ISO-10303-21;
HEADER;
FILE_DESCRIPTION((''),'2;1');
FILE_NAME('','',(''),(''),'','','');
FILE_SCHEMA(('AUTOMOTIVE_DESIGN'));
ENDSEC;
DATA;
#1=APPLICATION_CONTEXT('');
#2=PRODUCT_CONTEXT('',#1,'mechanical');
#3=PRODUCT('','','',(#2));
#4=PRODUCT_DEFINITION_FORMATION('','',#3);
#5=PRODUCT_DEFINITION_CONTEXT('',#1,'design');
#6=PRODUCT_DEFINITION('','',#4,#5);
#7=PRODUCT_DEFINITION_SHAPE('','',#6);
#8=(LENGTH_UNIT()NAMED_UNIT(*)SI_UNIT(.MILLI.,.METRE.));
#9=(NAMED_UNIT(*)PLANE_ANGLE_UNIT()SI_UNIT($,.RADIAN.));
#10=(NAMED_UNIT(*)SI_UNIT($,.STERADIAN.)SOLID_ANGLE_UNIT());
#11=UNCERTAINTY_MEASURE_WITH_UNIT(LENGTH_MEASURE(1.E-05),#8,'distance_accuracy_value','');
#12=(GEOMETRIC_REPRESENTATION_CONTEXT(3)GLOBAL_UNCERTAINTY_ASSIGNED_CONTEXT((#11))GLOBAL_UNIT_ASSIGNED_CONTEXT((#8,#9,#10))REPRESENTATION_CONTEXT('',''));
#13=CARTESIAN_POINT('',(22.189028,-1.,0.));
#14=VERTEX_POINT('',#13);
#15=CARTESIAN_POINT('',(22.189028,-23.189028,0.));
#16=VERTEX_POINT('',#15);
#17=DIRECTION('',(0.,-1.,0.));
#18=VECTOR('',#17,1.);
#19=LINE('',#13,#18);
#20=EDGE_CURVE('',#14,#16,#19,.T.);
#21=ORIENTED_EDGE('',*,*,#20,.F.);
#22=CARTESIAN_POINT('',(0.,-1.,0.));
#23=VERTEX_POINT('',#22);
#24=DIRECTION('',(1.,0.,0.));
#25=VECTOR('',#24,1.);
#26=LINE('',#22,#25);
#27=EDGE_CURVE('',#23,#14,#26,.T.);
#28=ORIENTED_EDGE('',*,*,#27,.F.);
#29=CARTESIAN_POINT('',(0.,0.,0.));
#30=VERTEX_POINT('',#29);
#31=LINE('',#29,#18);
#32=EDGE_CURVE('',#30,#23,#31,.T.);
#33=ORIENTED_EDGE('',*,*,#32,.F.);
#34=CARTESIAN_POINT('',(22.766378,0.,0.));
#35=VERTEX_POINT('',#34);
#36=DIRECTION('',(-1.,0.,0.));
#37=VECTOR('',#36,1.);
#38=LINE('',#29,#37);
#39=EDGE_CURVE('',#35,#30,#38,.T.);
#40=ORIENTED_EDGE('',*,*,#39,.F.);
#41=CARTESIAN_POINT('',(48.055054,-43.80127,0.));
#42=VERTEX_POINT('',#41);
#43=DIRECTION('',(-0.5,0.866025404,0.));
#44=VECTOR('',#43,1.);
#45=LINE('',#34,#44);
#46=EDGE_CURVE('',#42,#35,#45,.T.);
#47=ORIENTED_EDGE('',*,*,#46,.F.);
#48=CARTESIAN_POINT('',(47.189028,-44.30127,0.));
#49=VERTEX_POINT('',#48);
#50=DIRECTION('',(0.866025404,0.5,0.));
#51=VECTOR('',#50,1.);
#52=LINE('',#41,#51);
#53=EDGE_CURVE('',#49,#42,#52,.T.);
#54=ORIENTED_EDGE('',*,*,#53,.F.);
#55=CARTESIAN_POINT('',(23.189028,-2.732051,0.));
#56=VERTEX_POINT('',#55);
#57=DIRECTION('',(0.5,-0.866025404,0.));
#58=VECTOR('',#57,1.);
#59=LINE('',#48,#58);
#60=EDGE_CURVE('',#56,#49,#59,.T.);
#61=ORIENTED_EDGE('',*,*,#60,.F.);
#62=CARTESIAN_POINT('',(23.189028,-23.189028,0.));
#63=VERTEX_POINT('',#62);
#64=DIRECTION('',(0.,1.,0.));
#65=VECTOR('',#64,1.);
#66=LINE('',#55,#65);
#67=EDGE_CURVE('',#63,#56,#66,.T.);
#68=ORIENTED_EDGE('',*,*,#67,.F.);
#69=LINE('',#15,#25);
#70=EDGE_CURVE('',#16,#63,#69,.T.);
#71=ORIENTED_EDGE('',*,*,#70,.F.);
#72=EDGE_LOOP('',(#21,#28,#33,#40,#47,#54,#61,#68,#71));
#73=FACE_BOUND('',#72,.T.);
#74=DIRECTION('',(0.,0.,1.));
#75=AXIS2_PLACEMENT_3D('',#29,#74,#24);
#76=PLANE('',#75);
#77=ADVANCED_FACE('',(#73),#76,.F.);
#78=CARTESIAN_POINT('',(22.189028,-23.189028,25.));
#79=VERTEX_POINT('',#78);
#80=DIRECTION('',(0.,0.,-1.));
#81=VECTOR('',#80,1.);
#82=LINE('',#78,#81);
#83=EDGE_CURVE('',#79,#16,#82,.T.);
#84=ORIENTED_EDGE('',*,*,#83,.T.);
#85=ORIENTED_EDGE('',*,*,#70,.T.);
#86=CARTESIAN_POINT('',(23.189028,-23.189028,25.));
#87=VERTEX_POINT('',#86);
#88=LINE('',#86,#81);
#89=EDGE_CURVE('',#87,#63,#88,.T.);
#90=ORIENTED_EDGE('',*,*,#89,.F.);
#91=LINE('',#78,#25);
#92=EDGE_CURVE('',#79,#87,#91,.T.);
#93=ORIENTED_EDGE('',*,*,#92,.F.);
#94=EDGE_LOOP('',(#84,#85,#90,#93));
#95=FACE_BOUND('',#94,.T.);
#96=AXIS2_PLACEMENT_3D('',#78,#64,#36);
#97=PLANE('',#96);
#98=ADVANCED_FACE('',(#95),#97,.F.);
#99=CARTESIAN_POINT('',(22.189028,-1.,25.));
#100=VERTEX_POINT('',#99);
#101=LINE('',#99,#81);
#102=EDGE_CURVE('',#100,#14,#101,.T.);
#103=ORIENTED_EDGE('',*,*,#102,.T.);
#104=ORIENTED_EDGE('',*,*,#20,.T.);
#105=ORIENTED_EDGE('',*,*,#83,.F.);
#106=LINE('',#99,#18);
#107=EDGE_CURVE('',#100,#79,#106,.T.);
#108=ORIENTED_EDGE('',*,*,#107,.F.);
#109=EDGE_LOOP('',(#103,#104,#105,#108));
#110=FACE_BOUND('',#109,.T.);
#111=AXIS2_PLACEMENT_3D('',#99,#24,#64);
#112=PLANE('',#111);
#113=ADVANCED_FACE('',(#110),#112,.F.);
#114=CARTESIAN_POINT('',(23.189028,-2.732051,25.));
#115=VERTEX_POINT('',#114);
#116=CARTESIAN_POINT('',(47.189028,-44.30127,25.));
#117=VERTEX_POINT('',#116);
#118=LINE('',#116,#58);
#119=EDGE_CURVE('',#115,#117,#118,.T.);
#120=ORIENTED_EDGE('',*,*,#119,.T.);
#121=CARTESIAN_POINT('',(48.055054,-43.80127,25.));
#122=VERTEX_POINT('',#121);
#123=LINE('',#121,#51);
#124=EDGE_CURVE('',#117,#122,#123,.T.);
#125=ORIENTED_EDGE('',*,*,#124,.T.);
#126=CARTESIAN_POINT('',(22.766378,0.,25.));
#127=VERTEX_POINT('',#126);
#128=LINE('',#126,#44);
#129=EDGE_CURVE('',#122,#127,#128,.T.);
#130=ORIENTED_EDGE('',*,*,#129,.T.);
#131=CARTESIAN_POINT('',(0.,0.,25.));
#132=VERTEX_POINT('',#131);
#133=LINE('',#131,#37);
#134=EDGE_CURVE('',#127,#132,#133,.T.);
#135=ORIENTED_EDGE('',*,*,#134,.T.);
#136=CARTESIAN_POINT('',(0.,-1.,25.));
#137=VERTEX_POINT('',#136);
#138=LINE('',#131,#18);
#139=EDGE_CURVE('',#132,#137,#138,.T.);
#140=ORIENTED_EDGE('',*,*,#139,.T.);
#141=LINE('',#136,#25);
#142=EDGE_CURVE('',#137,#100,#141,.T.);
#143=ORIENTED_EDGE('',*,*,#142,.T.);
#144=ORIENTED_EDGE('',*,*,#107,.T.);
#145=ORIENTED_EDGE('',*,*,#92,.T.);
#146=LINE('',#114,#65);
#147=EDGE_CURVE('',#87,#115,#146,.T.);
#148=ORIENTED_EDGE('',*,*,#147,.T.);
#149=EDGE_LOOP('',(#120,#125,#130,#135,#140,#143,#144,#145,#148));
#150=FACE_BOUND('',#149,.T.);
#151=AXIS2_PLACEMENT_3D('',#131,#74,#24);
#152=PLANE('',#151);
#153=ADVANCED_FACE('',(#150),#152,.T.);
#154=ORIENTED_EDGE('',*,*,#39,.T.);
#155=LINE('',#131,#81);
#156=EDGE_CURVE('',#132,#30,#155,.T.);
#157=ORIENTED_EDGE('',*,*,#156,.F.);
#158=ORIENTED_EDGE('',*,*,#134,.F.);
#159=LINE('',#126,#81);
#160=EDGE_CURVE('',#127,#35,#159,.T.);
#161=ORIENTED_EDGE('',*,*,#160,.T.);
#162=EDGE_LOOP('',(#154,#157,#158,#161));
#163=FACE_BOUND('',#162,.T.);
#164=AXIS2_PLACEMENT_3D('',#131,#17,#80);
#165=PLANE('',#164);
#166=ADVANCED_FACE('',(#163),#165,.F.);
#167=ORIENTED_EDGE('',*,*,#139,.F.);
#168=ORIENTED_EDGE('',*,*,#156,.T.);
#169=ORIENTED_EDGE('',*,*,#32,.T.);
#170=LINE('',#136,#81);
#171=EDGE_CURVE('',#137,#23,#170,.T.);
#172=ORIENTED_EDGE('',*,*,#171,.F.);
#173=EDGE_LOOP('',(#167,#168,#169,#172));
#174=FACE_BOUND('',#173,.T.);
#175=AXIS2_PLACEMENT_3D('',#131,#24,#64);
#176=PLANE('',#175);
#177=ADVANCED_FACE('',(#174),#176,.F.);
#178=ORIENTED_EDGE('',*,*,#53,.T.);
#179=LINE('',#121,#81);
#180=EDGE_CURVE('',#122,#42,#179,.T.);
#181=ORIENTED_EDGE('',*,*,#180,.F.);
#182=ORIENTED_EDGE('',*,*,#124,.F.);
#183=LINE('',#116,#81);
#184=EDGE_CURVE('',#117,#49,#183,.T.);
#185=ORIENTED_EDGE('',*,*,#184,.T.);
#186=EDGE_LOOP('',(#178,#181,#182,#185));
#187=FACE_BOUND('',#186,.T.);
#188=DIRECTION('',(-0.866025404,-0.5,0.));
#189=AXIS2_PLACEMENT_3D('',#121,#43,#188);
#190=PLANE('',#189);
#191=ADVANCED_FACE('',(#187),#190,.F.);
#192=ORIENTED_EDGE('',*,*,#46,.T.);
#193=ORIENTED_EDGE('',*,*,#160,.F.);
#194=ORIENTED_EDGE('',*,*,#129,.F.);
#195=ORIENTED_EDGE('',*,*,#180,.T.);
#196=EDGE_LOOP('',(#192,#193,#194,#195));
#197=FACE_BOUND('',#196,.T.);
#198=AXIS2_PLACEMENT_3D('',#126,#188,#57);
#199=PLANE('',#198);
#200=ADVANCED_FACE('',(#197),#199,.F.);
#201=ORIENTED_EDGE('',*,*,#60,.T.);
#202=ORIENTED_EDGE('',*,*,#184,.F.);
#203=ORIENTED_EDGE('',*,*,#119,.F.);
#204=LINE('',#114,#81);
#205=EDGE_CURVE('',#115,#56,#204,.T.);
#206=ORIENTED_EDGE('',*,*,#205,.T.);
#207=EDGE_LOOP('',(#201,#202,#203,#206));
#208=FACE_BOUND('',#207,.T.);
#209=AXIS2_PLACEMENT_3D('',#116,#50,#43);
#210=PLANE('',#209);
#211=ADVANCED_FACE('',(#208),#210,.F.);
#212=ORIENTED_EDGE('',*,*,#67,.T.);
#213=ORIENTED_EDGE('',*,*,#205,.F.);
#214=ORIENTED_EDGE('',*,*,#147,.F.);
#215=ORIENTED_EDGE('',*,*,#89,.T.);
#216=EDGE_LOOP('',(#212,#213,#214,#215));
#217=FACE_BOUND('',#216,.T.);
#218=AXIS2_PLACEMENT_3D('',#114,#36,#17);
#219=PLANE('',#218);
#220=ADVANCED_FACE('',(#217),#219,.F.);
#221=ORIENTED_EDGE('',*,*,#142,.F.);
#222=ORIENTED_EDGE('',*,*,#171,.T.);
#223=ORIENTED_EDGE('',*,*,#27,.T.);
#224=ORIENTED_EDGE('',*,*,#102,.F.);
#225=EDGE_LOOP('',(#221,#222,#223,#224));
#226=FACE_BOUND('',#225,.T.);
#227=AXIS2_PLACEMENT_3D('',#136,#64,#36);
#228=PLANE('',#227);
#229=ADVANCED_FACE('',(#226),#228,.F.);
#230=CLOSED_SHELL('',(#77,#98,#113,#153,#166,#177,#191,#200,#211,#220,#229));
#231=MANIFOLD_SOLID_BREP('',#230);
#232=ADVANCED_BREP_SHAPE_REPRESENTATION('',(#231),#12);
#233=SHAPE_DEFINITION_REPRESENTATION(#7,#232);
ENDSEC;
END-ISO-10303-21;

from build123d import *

# Parameters (mm, degrees)
BOSS_EXTRUDE1_DEPTH = 25


with BuildPart() as part:
    # Sketch1 → Boss-Extrude1 (new body)
    with BuildSketch(Plane.XY):
        Polygon((0, 0), (22.766378419, 0), (48.055053554, -43.801270189), (47.18902815, -44.301270189), (23.18902815, -2.732050808), (23.18902815, -23.18902815), (22.18902815, -23.18902815), (22.18902815, -1), (0, -1), align=None)
    extrude(amount=BOSS_EXTRUDE1_DEPTH)


solid = part.part
